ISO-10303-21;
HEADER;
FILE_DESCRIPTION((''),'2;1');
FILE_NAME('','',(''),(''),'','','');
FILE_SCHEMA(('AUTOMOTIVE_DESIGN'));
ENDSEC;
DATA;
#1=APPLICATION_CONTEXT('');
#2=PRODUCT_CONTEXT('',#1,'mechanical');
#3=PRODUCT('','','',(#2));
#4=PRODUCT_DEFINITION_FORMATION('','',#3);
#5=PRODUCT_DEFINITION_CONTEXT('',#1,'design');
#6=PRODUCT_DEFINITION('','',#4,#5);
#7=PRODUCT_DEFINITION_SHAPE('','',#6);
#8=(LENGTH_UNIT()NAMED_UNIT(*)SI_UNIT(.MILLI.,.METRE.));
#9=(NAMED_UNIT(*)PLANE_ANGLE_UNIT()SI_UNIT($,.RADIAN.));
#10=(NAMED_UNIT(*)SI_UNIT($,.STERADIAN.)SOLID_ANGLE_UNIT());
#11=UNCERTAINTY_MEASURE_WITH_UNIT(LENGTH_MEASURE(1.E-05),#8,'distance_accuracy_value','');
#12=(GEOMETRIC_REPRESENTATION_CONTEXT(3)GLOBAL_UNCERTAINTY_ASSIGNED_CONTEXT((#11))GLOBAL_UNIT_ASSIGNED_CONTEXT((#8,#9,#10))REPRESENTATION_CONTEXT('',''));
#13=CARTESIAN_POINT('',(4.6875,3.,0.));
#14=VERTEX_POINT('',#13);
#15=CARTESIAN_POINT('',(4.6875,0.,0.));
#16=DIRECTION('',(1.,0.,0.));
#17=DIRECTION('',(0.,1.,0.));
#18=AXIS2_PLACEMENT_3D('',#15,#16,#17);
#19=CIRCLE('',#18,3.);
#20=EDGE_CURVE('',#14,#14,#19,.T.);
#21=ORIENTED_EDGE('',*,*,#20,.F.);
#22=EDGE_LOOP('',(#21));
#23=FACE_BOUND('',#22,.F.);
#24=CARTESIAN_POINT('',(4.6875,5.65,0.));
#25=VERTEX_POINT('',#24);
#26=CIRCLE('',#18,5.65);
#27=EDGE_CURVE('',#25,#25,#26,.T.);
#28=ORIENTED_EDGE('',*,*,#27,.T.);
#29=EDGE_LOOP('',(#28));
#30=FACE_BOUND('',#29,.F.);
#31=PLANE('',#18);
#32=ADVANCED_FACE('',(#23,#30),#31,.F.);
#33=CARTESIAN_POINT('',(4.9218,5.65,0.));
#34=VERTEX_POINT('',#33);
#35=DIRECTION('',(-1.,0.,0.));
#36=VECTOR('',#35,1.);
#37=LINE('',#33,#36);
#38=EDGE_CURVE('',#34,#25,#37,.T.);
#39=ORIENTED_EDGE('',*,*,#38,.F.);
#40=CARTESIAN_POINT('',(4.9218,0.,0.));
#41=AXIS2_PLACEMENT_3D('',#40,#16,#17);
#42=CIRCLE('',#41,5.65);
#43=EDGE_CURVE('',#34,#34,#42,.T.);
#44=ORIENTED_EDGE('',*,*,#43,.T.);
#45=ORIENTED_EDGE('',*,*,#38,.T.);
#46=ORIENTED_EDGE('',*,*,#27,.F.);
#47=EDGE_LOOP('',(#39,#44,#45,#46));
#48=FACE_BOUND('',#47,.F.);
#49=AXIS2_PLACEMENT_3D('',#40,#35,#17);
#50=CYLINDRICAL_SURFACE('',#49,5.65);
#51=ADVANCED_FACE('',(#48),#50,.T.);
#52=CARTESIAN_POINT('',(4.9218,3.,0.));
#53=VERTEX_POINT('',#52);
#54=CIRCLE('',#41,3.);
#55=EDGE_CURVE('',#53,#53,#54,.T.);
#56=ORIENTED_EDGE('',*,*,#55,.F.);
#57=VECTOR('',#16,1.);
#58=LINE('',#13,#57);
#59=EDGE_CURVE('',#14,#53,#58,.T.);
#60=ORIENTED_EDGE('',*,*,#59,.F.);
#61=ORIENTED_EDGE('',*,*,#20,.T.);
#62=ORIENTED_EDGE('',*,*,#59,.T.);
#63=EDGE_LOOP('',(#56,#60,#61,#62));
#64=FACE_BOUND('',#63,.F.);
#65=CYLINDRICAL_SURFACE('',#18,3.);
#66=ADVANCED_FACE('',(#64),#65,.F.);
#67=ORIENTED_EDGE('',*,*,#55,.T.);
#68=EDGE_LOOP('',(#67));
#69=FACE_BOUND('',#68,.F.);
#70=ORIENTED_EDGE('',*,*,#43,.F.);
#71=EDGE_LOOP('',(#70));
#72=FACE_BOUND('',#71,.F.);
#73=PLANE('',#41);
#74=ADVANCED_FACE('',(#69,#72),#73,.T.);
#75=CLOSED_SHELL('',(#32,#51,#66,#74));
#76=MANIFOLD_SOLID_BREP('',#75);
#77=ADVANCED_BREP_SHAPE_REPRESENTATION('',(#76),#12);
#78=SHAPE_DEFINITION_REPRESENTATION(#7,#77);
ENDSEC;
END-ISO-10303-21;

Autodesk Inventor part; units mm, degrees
sketch "Sketch_1" plane through (0, 0, 0) normal (0, 0, 1) x (1, 0, 0)
  line L0 (4.9218, 0) -> (4.6875, 0)
  line L1 (4.6875, 3) -> (4.9218, 3)
  line L2 (4.9218, 3) -> (4.9218, 5.65)
  line L3 (4.9218, 5.65) -> (4.6875, 5.65)
  line L4 (4.6875, 5.65) -> (4.6875, 3)
revolve "Revolution1" add sketch "Sketch_1" angle 360 about axis through (4.9218, 0, 0) along (1, 0, 0)
ref_plane "ip_st_1_XY" through (4.6875, 0, 0) normal (1, 0, 0) x (0, 0, -1)
ref_plane "ip_st_1_YZ" through (4.6875, 0, 0) normal (0, 0, -1) x (0, 1, 0)
ref_plane "ip_st_1_ZX" through (4.6875, 0, 0) normal (0, 1, 0) x (1, 0, 0)
properties part number "F624ZZ Shield2"
